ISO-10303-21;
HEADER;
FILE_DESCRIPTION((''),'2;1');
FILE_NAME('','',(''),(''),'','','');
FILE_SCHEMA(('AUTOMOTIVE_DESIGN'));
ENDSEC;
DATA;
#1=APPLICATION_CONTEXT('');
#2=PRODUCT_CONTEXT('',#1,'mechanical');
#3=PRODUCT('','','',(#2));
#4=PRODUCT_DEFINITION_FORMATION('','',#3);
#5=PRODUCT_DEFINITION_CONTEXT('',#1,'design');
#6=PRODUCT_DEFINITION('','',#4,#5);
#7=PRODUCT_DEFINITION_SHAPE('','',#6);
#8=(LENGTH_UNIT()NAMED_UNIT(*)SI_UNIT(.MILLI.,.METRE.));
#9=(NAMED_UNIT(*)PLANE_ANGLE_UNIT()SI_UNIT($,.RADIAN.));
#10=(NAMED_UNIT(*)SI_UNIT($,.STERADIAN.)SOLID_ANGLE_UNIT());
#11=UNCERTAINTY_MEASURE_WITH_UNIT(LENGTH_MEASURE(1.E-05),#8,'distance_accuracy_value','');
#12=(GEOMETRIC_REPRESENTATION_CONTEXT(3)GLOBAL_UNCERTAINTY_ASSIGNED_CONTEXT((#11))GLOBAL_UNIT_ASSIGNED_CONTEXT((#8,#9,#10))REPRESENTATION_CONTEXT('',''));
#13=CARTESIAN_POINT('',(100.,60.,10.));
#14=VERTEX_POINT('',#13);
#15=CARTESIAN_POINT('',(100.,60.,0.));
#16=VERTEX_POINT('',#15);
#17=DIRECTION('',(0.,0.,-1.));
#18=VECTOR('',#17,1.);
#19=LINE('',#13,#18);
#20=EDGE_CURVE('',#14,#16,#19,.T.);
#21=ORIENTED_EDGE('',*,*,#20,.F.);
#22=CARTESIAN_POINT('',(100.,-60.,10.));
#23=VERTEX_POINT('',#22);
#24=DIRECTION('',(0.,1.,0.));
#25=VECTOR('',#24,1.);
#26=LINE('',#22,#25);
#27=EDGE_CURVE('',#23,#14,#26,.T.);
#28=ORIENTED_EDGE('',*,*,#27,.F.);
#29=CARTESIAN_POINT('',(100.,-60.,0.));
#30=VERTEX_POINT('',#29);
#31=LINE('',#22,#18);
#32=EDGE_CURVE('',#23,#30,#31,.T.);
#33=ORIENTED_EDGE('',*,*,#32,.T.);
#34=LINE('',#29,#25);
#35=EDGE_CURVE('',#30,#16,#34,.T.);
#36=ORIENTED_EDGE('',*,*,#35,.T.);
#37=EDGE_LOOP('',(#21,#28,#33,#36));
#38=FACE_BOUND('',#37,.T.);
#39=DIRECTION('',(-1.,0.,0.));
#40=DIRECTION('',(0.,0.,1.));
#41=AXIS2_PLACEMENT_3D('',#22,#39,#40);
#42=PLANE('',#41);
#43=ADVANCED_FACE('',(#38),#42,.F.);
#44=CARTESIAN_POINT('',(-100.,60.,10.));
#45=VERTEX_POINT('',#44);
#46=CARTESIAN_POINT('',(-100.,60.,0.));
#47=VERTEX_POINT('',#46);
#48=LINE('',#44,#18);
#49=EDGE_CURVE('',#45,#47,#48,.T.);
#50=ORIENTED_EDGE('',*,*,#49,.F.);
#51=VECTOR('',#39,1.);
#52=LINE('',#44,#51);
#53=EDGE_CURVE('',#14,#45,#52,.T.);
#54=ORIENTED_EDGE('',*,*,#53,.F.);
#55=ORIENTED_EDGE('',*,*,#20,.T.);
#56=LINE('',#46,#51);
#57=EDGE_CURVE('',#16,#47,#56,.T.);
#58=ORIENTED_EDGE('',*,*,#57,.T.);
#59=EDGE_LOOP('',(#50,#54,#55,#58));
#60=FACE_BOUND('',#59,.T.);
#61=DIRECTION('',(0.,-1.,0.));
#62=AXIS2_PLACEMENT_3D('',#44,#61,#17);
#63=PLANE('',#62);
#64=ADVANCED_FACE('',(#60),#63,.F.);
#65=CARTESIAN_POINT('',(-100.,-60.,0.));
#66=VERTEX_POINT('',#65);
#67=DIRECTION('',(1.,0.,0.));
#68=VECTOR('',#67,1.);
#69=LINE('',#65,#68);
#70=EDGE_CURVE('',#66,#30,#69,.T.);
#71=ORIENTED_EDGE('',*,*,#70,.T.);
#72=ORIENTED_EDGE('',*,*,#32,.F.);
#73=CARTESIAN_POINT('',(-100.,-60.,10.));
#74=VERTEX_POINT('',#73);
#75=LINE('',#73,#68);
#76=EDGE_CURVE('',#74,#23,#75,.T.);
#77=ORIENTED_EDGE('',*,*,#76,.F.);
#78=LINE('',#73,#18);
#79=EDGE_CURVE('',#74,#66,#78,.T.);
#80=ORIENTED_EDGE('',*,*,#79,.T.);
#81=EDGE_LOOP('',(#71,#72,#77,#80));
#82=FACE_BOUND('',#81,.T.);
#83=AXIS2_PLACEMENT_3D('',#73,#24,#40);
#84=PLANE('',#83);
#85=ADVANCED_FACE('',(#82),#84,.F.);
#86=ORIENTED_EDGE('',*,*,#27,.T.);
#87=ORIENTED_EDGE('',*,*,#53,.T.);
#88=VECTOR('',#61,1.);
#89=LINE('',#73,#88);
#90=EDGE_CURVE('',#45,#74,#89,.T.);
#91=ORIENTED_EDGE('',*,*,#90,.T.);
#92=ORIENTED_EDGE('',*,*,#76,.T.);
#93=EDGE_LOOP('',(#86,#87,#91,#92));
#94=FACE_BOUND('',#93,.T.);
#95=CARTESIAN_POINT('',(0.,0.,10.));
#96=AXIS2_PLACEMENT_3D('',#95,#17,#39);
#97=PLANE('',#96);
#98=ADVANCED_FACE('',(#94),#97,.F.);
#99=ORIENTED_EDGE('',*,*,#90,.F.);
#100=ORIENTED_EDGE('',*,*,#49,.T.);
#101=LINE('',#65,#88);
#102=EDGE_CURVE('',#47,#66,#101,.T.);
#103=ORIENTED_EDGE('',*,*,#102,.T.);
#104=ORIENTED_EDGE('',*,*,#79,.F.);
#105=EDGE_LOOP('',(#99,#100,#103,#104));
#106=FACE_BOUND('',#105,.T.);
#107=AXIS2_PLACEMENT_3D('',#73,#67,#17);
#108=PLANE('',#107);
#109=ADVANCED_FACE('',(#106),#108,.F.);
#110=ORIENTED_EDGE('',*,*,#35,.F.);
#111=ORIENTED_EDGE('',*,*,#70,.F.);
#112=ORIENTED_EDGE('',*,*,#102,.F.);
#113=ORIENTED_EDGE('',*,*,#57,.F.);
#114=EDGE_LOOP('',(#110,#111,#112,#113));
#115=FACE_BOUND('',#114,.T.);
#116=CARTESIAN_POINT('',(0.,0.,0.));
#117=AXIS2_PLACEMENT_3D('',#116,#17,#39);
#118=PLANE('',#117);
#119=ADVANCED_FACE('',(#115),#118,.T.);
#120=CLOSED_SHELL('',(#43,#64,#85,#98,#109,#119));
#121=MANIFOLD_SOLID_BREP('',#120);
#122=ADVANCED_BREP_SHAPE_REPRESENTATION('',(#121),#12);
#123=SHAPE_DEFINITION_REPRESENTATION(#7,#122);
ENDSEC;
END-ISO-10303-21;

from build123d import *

# Parameters (mm, degrees)
SKETCH_1_W      = 200
SKETCH_1_H      = 120
EXTRUDE_1_DEPTH = 10


with BuildPart() as part:
    # Эскиз1 → Бобышка-Вытянуть1 (new body)
    with BuildSketch(Plane.XY):
        Rectangle(SKETCH_1_W, SKETCH_1_H)
    extrude(amount=EXTRUDE_1_DEPTH)


solid = part.part
